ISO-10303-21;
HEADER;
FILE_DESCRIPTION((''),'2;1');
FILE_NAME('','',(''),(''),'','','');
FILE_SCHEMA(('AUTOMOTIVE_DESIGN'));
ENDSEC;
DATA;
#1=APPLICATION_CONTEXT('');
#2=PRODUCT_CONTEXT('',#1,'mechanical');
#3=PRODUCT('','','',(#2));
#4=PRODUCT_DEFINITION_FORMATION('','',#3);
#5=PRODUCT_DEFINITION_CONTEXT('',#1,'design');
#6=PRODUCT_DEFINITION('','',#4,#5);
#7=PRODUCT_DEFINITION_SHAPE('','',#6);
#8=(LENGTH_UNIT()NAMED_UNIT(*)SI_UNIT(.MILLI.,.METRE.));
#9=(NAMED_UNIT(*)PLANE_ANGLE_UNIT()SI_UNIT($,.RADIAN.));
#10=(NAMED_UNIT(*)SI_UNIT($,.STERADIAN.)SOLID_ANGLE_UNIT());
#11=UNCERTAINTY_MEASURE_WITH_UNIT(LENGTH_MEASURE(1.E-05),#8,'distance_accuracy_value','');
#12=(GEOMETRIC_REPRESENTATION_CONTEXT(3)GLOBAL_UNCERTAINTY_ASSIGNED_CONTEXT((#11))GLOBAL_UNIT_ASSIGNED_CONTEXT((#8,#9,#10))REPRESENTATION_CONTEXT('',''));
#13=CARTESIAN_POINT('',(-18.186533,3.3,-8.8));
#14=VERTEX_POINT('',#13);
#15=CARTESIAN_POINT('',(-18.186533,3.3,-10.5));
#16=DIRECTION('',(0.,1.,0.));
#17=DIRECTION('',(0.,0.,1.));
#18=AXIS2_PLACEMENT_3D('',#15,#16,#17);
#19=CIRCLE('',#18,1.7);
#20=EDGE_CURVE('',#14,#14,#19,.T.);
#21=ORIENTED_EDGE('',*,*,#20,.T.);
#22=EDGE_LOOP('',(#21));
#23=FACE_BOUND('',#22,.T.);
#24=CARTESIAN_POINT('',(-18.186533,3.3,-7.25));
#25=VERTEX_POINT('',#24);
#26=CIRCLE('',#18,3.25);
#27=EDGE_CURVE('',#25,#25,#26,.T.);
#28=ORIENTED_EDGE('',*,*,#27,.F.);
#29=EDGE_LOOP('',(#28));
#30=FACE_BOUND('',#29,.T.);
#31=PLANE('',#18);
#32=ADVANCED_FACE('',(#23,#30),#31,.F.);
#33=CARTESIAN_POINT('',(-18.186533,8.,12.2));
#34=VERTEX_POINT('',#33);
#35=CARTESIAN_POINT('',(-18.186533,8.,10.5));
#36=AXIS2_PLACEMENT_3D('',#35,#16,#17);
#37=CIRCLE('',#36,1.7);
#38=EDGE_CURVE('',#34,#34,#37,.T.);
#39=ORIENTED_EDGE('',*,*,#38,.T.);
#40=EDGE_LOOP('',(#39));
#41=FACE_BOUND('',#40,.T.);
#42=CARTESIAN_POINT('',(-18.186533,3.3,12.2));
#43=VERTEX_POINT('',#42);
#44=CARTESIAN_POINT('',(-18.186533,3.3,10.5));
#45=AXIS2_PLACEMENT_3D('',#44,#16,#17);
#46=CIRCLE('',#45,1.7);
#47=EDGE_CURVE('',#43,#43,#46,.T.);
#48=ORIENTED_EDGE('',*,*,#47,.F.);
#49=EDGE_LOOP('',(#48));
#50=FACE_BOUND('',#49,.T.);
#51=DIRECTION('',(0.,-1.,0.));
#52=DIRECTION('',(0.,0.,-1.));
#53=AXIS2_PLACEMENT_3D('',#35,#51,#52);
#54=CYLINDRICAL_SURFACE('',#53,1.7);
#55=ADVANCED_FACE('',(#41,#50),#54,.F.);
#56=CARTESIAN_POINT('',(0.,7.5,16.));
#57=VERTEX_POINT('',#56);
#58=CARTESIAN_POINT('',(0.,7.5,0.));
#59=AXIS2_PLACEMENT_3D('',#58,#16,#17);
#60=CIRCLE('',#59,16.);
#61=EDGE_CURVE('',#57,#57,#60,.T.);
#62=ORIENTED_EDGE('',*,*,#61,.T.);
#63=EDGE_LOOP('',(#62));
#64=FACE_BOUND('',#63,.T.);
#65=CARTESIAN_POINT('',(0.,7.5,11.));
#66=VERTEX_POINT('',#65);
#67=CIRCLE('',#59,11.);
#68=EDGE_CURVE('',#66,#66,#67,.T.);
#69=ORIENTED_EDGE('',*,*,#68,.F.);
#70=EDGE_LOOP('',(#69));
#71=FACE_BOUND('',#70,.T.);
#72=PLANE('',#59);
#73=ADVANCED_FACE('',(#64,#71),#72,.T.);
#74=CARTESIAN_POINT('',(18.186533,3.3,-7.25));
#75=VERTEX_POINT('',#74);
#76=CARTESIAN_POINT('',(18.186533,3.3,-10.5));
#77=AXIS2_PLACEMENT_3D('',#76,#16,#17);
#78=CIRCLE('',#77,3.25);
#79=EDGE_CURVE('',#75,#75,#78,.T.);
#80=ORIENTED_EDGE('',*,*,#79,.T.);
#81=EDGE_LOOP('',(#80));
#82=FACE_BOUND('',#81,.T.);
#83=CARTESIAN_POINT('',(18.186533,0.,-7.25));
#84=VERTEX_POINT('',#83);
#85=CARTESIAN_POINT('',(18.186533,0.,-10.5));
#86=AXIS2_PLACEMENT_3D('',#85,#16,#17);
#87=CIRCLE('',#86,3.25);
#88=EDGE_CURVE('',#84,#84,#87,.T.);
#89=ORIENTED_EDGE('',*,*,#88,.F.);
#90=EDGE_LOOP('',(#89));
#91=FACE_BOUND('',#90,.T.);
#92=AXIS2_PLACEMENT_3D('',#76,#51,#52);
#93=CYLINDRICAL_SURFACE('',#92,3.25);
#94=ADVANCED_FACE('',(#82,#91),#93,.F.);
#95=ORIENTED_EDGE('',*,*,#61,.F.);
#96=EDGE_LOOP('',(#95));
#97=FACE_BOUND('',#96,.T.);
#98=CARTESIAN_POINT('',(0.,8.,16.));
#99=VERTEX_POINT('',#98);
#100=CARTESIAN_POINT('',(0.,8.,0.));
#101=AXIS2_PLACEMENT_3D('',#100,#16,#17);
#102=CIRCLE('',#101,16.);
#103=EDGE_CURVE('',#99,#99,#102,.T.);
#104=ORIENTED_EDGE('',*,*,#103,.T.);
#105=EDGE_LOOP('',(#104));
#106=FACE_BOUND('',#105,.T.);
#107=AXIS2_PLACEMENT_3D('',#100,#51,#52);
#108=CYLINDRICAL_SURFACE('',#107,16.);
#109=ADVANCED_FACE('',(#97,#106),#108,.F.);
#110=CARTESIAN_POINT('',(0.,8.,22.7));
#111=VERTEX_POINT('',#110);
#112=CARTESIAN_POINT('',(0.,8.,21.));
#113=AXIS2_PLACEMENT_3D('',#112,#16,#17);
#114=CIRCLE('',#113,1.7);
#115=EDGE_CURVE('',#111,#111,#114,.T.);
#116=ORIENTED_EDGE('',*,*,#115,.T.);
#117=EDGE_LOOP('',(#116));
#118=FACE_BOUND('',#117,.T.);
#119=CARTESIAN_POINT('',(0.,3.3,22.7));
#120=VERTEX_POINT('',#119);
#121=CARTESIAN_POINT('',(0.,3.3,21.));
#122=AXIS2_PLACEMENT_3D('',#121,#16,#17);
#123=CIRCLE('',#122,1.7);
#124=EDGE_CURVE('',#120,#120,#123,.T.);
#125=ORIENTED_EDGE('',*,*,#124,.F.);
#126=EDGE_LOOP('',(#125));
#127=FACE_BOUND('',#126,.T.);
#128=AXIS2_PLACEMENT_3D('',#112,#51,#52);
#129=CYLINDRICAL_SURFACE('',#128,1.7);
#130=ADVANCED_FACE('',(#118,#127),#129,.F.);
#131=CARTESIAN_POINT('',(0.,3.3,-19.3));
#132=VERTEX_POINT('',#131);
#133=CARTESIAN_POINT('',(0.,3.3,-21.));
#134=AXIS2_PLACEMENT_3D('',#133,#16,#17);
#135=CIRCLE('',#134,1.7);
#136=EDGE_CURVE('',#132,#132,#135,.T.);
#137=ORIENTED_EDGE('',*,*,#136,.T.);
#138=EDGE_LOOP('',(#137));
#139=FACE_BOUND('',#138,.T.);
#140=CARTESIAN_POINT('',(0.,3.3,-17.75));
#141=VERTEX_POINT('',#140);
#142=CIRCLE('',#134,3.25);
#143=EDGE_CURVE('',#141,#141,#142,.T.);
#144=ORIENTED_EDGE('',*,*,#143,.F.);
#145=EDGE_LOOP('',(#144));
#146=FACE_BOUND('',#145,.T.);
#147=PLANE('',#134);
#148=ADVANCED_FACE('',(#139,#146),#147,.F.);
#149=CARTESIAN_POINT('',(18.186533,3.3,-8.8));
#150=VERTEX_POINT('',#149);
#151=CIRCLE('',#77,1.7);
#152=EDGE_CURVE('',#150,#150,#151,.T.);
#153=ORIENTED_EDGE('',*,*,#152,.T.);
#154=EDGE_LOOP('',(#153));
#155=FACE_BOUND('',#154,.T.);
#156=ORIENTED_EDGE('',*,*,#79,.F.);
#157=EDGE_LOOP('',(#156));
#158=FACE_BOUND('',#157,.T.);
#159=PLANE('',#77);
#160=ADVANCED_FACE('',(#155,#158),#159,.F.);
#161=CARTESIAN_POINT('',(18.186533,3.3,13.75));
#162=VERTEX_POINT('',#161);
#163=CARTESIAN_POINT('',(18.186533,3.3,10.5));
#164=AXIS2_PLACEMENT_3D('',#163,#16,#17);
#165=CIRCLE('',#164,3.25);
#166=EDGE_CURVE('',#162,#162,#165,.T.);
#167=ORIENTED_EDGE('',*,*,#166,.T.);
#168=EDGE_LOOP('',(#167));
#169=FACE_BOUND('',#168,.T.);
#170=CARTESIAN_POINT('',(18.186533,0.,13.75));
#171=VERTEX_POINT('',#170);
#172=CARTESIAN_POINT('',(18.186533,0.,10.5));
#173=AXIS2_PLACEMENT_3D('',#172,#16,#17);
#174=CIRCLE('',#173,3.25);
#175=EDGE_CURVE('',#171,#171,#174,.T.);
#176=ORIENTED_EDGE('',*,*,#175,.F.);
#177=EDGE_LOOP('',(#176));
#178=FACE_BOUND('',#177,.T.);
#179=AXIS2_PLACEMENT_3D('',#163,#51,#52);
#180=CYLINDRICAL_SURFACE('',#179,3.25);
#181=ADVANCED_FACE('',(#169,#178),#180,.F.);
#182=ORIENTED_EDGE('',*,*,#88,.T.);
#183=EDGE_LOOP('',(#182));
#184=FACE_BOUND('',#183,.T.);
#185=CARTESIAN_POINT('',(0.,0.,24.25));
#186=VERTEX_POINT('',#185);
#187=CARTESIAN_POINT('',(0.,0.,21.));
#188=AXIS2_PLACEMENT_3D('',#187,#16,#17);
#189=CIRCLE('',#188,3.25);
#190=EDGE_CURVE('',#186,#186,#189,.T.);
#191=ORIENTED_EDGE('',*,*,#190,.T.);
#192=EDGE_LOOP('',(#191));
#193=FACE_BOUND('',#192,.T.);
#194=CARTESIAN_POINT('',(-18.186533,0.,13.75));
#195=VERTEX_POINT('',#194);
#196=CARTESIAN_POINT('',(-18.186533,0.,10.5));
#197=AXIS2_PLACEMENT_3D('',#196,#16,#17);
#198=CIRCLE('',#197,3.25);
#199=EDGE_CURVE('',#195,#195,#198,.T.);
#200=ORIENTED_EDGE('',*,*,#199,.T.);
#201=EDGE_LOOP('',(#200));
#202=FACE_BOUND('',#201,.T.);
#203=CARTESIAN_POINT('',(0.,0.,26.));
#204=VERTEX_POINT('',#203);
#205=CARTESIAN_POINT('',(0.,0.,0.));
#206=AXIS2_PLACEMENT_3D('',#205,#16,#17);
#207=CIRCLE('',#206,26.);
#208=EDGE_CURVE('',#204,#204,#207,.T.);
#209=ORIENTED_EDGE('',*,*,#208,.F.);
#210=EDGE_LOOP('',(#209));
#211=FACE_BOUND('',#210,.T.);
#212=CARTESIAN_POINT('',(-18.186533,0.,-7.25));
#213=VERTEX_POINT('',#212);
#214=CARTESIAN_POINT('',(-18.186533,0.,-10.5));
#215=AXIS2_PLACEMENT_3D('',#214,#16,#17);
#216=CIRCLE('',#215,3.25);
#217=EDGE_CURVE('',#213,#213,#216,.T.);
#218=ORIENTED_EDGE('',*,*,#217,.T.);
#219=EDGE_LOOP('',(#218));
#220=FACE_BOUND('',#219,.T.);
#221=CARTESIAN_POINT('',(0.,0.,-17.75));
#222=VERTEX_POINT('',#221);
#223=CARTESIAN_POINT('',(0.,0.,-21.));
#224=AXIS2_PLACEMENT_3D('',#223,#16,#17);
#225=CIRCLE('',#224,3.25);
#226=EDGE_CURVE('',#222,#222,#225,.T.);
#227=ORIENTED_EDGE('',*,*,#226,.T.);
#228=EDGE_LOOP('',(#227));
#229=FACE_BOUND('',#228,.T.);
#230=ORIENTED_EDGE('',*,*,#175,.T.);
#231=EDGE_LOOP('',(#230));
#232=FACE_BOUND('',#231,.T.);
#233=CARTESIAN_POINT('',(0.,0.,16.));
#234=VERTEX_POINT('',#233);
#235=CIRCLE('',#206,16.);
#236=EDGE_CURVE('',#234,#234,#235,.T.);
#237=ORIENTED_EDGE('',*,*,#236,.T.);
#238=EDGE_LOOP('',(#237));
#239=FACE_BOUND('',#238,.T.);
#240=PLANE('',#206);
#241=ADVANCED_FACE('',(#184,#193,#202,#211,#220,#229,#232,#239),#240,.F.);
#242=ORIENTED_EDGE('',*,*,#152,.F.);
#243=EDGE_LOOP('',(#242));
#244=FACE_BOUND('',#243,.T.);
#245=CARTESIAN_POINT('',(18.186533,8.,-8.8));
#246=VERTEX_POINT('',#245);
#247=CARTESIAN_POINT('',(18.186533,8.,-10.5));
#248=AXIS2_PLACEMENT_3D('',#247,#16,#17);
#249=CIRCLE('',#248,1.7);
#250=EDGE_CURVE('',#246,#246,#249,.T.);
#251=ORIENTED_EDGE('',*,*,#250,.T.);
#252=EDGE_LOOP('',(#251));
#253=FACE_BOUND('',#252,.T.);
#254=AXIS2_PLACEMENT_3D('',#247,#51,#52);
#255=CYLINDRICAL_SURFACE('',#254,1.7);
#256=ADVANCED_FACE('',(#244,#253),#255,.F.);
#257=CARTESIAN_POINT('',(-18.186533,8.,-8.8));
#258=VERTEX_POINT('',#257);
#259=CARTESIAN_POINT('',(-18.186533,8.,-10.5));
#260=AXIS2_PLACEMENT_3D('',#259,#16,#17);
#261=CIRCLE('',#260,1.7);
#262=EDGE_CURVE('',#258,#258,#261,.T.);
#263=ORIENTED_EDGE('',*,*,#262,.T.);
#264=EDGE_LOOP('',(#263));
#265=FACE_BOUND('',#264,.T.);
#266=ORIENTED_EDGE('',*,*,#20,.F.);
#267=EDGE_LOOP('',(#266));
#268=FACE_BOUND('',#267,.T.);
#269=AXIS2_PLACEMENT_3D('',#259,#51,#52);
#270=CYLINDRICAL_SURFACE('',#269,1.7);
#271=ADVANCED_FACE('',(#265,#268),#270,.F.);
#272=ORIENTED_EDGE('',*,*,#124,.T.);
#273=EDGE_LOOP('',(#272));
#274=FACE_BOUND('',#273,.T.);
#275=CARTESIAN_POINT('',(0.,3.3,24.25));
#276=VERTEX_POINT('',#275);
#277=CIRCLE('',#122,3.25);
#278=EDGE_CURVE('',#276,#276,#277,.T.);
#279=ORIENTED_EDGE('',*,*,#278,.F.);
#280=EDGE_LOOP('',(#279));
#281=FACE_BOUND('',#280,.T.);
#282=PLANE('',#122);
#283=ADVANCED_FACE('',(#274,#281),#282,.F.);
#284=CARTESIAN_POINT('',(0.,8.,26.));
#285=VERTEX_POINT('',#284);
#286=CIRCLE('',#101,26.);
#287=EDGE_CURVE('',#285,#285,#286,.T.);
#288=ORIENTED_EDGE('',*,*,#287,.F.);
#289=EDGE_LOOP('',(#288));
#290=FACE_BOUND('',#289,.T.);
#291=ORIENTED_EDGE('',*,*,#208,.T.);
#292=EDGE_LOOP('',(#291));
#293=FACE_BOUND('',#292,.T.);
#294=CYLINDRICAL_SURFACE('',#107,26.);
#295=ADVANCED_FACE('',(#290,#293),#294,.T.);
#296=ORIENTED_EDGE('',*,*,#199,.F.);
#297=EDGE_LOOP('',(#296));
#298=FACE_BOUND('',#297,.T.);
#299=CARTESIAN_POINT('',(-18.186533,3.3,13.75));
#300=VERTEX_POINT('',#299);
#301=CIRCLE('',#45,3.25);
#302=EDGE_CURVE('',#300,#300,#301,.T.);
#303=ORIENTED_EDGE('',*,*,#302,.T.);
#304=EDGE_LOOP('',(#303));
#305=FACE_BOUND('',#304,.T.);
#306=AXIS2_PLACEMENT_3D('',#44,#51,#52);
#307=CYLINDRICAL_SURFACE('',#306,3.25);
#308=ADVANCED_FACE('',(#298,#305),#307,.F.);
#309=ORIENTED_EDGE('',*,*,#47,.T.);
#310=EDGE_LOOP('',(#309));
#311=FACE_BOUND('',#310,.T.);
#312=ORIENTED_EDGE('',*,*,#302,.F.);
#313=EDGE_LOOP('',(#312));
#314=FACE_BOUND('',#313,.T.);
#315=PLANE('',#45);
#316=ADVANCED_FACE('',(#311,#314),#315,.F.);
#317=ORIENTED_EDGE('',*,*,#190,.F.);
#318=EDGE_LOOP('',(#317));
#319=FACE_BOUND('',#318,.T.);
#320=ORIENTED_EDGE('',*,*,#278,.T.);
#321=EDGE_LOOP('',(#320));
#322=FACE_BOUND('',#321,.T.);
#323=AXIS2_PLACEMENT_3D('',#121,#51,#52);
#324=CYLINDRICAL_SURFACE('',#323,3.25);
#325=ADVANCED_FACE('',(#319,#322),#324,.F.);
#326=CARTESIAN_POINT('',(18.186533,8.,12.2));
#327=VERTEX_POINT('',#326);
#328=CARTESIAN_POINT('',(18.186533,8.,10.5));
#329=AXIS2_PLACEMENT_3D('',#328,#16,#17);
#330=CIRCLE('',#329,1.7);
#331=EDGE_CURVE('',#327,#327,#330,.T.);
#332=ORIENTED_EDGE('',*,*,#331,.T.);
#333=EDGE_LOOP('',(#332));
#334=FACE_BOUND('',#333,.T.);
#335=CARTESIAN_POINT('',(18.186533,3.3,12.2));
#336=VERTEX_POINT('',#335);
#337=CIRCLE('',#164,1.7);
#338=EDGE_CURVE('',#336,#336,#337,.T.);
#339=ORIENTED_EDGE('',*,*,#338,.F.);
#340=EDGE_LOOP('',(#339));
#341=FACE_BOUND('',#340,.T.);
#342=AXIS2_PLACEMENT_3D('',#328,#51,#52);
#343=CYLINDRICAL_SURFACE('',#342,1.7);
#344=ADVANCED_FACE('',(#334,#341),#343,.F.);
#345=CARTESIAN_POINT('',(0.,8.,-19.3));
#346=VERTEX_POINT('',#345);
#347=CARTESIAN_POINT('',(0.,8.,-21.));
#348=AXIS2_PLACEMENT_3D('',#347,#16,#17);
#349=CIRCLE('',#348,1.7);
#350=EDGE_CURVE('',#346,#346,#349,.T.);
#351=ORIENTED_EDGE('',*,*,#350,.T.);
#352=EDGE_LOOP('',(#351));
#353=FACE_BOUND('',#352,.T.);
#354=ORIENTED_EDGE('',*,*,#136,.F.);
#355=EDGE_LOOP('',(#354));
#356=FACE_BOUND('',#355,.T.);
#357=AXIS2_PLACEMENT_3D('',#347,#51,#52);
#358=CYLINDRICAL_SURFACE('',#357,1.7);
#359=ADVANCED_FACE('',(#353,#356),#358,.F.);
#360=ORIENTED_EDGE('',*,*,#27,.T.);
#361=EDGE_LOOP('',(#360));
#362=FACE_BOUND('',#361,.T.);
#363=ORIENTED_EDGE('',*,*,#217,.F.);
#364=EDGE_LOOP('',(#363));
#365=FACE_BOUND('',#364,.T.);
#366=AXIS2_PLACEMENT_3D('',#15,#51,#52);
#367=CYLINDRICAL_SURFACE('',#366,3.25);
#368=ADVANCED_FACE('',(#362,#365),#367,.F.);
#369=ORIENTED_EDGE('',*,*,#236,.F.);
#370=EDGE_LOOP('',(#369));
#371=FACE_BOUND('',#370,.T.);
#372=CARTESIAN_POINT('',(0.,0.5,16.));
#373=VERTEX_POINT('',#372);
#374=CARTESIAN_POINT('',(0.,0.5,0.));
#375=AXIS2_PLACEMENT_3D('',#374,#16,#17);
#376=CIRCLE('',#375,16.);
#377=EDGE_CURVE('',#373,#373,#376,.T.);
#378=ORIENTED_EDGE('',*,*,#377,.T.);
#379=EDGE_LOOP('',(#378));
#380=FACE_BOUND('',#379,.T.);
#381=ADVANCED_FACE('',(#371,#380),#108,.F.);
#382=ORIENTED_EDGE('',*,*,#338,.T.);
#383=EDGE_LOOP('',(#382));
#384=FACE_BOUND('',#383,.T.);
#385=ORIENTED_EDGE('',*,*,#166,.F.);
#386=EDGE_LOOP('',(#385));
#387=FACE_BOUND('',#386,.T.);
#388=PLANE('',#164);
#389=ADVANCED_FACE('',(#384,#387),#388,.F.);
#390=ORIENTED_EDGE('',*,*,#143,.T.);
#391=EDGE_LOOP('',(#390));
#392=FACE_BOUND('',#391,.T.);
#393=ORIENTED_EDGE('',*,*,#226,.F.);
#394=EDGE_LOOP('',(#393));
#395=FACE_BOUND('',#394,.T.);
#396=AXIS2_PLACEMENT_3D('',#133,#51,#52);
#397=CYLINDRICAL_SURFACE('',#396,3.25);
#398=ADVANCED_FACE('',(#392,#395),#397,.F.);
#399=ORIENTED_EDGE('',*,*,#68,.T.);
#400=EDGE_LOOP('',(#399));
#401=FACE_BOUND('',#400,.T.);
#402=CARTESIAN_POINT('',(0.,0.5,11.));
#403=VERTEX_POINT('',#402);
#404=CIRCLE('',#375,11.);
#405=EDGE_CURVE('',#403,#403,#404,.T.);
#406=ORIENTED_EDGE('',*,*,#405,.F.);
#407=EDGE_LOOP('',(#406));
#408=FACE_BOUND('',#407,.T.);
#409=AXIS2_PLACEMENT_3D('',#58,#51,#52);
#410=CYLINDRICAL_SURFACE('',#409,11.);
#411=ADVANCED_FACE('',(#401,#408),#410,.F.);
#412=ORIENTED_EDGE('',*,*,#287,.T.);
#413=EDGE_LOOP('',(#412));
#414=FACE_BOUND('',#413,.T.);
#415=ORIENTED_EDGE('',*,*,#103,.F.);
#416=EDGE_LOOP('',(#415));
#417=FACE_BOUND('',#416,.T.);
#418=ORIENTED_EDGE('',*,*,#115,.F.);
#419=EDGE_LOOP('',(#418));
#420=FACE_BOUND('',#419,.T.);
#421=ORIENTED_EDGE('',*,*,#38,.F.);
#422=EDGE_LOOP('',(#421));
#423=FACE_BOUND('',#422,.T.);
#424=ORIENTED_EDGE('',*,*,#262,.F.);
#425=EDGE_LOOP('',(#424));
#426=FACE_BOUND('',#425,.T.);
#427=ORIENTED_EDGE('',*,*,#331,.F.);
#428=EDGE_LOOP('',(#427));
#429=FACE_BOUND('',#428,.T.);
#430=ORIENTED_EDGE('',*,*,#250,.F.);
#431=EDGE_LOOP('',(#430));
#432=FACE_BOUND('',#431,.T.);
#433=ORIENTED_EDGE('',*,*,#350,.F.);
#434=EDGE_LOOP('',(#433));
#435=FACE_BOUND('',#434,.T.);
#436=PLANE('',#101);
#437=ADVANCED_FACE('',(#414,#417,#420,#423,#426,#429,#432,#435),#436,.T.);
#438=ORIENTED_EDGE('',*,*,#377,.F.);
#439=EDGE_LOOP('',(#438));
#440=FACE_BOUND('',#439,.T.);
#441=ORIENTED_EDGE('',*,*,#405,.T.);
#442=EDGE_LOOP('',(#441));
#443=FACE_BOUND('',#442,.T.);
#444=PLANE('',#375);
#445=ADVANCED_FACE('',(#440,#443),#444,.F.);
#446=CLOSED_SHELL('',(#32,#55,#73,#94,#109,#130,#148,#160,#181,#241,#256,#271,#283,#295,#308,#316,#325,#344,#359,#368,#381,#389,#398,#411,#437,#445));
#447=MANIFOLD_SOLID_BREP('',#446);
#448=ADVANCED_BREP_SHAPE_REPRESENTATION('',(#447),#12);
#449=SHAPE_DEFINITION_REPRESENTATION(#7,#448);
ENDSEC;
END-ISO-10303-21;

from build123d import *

# Parameters (mm, degrees)
SKETCH_1_R          = 26
SKETCH_1_R_2        = 1.7
SKETCH_1_R_3        = 16
EXTRUDE_1_DEPTH     = 8
SKETCH_2_R          = 3.25
CUT_EXTRUDE_1_DEPTH = 3.3
EXTRUDE_START       = 0.5
SKETCH_3_R          = 16
SKETCH_3_R_2        = 11
EXTRUDE_2_DEPTH     = 7


with BuildPart() as part:
    # 草图1 → 凸台-拉伸1 (new body)
    with BuildSketch(Plane(origin=(0, 0, 0), x_dir=(1, 0, 0), z_dir=(0, 1, 0))):
        with Locations(Location((0, 0, 0), (0, 0, 270))):
            Circle(SKETCH_1_R)
        with Locations(Location((0, 21, 0), (0, 0, 270))):
            Circle(SKETCH_1_R_2, mode=Mode.SUBTRACT)
        with Locations(Location((18.186533479, 10.5, 0), (0, 0, 270))):
            Circle(SKETCH_1_R_2, mode=Mode.SUBTRACT)
        with Locations(Location((18.186533479, -10.5, 0), (0, 0, 270))):
            Circle(SKETCH_1_R_2, mode=Mode.SUBTRACT)
        with Locations(Location((0, -21, 0), (0, 0, 270))):
            Circle(SKETCH_1_R_2, mode=Mode.SUBTRACT)
        with Locations(Location((-18.186533479, -10.5, 0), (0, 0, 270))):
            Circle(SKETCH_1_R_2, mode=Mode.SUBTRACT)
        with Locations(Location((-18.186533479, 10.5, 0), (0, 0, 270))):
            Circle(SKETCH_1_R_2, mode=Mode.SUBTRACT)
        with Locations(Location((0, 0, 0), (0, 0, 270))):
            Circle(SKETCH_1_R_3, mode=Mode.SUBTRACT)
    extrude(amount=EXTRUDE_1_DEPTH)

    # 草图2 → 切除-拉伸1 (cut)
    with BuildSketch(Plane(origin=(0, 0, 0), x_dir=(1, 0, 0), z_dir=(0, 1, 0))):
        with Locations(Location((0, 21, 0), (0, 0, 270))):
            Circle(SKETCH_2_R)
        with Locations(Location((18.186533479, 10.5, 0), (0, 0, 270))):
            Circle(SKETCH_2_R)
        with Locations(Location((18.186533479, -10.5, 0), (0, 0, 270))):
            Circle(SKETCH_2_R)
        with Locations(Location((0, -21, 0), (0, 0, 270))):
            Circle(SKETCH_2_R)
        with Locations(Location((-18.186533479, -10.5, 0), (0, 0, 270))):
            Circle(SKETCH_2_R)
        with Locations(Location((-18.186533479, 10.5, 0), (0, 0, 270))):
            Circle(SKETCH_2_R)
    extrude(amount=CUT_EXTRUDE_1_DEPTH, mode=Mode.SUBTRACT)

    # 草图3 → 凸台-拉伸2 (add)
    with BuildSketch(Plane(origin=(0, 0, 0), x_dir=(1, 0, 0), z_dir=(0, 1, 0)).offset(EXTRUDE_START)):
        with Locations(Location((0, 0, 0), (0, 0, 270))):
            Circle(SKETCH_3_R)
        with Locations(Location((0, 0, 0), (0, 0, 270))):
            Circle(SKETCH_3_R_2, mode=Mode.SUBTRACT)
    extrude(amount=EXTRUDE_2_DEPTH)


solid = part.part
